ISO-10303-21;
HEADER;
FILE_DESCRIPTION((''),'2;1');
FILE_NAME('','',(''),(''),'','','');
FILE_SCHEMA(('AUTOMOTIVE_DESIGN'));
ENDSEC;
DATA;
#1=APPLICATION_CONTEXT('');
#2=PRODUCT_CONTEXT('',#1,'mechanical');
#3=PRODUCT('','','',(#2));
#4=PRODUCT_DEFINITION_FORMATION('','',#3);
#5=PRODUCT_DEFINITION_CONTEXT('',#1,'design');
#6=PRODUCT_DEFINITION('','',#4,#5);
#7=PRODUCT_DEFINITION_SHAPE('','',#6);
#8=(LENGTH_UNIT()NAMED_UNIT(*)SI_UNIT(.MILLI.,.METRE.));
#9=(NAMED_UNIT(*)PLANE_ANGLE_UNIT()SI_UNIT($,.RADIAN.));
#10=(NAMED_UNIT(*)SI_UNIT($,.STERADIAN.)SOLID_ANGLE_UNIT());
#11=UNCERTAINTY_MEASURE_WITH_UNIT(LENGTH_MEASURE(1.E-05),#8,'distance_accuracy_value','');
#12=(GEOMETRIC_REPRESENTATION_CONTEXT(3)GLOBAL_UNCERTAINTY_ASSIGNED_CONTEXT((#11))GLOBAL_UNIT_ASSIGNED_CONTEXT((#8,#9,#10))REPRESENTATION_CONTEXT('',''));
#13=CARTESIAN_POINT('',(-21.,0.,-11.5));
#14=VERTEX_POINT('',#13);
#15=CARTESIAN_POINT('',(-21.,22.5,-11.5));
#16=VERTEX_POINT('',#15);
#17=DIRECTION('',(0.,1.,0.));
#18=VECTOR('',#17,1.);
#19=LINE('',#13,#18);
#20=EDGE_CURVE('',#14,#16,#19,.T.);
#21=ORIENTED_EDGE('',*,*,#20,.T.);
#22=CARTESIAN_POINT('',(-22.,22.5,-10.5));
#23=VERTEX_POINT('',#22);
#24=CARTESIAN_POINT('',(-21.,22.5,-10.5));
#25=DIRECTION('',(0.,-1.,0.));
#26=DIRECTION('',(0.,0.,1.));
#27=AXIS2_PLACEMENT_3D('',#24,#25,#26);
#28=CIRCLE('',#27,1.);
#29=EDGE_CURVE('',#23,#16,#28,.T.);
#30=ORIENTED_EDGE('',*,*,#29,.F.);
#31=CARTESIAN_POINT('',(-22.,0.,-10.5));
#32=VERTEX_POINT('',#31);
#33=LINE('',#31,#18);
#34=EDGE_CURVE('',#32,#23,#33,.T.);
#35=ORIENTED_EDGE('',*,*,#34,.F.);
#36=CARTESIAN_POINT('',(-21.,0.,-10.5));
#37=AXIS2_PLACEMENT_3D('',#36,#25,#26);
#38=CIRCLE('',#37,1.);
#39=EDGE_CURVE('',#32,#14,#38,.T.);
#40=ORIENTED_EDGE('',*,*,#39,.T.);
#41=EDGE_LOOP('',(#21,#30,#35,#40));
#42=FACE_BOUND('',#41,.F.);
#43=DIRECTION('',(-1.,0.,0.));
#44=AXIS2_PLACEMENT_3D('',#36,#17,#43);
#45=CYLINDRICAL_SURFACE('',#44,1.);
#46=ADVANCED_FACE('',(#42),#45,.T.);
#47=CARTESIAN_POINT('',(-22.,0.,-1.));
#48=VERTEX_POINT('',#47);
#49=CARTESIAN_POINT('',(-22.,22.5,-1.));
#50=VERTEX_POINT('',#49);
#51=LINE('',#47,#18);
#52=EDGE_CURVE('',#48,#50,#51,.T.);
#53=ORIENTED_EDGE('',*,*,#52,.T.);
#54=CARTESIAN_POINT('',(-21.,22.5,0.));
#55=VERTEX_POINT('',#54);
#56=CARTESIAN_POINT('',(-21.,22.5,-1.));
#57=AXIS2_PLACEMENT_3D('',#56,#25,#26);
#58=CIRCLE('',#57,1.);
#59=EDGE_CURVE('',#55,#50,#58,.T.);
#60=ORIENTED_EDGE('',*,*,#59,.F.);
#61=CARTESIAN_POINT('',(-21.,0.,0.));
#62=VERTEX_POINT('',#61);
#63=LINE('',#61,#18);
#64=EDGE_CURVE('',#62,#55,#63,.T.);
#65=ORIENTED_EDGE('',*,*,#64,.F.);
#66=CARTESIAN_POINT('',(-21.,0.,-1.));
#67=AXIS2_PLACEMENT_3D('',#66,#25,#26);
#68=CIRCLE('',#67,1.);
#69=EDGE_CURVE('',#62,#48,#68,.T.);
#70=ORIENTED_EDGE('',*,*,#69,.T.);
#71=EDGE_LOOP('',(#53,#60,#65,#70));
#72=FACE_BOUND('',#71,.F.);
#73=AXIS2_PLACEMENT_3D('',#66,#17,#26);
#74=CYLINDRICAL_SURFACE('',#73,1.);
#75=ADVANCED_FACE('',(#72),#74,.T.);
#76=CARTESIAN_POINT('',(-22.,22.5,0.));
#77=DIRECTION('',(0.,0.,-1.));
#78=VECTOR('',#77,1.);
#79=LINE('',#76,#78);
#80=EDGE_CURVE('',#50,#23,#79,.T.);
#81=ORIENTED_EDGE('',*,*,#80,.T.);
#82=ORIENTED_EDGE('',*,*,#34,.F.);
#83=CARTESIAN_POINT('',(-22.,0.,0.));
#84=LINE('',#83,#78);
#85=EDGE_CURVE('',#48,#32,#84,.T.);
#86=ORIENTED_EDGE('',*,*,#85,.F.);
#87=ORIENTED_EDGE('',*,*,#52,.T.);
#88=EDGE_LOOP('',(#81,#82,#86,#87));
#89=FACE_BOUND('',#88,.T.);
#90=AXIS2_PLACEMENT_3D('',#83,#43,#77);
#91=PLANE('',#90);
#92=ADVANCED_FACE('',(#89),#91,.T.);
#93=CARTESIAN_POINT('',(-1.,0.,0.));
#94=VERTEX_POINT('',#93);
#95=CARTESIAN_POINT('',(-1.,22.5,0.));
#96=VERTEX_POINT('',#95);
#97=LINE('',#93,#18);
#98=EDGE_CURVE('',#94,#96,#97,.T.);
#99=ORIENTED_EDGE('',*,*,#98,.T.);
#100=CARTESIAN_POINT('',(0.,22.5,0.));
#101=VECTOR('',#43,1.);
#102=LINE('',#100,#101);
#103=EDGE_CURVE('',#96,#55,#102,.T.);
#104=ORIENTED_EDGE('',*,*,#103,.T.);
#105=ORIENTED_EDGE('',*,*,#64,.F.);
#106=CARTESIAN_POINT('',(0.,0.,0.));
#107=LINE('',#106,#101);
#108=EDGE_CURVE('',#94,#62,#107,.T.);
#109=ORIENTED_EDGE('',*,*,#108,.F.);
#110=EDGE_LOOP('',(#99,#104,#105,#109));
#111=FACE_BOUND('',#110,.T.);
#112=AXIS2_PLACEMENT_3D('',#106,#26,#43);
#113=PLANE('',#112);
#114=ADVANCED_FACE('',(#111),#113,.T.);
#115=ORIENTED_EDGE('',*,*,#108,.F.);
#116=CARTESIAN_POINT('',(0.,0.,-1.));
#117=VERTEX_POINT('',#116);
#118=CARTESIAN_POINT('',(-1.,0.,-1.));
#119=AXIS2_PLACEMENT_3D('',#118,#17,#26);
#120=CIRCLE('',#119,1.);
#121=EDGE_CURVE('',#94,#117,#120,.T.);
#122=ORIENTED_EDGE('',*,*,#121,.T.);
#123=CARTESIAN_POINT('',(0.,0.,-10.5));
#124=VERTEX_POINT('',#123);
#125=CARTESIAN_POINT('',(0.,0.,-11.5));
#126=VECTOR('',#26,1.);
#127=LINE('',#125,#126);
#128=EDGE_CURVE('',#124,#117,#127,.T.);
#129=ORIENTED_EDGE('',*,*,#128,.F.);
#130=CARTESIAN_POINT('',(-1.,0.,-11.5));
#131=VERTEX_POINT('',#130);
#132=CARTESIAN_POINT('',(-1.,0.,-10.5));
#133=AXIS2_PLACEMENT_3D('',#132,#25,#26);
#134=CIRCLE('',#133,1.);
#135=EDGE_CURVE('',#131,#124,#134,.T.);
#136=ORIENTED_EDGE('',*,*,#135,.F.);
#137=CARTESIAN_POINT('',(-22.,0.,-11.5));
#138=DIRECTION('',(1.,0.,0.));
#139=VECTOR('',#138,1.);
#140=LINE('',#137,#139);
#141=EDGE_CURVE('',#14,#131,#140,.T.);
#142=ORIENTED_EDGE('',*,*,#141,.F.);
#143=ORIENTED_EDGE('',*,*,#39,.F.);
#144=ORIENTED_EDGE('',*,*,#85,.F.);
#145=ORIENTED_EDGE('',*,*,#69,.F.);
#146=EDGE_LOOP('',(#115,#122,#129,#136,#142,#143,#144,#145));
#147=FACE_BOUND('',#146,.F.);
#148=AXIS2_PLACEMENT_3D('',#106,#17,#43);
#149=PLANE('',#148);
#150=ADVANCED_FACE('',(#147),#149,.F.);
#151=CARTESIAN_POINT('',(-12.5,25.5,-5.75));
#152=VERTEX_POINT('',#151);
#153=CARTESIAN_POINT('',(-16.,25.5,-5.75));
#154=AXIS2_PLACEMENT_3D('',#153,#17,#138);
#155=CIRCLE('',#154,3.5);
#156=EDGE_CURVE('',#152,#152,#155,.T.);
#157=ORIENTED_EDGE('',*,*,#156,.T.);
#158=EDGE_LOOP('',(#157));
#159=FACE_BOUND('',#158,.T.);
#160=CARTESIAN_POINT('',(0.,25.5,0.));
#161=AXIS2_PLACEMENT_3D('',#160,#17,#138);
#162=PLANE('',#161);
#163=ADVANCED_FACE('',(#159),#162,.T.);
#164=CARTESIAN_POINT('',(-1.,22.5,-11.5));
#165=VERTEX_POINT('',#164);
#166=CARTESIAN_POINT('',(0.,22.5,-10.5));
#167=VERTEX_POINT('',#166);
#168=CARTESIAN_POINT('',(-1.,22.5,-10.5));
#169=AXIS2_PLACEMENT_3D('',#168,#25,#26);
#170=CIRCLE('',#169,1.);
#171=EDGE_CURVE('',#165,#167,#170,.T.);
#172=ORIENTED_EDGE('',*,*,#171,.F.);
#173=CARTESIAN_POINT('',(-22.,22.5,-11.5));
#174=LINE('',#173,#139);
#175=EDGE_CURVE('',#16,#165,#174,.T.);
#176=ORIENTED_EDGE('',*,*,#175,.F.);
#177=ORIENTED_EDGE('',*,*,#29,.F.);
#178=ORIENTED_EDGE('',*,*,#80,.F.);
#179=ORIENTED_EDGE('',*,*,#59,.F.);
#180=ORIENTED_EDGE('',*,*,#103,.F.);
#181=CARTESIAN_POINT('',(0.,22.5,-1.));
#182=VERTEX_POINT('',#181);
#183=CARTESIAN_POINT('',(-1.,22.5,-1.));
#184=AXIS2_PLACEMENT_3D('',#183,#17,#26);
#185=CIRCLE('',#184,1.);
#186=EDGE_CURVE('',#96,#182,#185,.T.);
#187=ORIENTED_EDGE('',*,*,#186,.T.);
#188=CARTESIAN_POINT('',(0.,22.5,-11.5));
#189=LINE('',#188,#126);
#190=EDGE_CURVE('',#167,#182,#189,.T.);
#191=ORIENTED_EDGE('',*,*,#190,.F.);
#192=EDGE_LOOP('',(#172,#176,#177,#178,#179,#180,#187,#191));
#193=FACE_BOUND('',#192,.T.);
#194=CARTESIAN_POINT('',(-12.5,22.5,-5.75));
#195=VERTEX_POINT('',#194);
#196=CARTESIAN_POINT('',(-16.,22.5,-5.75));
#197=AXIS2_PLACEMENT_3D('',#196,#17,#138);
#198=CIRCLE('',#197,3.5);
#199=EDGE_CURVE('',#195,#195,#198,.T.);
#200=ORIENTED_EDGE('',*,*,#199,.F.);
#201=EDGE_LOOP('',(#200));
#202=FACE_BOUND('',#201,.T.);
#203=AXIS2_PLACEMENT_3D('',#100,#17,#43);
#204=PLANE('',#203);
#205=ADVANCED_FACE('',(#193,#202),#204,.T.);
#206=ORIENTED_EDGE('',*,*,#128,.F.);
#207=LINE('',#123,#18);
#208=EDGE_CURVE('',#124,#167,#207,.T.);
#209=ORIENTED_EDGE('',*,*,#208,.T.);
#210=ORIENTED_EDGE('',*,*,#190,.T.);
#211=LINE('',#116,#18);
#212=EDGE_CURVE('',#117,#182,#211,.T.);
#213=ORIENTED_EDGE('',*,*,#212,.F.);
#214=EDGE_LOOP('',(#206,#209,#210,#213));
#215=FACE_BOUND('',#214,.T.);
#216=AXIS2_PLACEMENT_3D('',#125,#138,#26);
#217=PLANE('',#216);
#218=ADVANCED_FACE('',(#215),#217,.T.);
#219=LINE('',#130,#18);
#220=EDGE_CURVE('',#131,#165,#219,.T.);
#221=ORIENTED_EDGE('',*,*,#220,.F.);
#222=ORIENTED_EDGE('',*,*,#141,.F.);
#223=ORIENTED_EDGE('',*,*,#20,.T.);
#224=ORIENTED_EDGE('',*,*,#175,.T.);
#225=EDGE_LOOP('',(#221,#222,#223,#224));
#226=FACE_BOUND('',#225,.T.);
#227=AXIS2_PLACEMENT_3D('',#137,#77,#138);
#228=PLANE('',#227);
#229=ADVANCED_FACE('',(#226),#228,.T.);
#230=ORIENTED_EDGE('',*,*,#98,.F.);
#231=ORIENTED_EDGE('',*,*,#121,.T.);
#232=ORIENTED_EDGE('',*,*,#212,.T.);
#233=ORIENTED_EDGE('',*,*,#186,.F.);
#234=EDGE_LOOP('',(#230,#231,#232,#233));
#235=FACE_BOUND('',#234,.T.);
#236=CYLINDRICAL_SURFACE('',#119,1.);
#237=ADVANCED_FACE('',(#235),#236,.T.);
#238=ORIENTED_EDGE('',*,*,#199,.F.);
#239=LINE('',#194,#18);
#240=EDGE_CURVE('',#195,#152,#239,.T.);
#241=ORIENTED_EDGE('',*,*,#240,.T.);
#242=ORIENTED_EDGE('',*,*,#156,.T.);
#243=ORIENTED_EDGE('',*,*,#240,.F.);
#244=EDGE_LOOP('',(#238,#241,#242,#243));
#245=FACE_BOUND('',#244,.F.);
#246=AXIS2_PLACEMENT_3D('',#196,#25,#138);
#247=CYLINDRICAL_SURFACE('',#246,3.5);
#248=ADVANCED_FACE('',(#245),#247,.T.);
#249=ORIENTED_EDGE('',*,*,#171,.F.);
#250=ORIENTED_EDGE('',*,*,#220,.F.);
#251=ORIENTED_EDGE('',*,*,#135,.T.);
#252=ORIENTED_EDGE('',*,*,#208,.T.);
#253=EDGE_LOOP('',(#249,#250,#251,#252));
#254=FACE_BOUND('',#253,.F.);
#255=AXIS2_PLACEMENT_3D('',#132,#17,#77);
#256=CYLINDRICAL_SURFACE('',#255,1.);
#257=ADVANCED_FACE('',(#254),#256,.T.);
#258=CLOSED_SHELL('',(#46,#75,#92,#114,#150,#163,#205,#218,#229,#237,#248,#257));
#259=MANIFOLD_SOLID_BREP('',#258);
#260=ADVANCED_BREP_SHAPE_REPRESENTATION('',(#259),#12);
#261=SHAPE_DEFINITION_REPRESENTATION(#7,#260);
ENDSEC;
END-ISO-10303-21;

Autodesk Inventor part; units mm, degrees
ref_plane "YZ Plane" through (0, 0, 0) normal (1, 0, 0) x (0, 1, 0)
ref_plane "XZ Plane" through (0, 0, 0) normal (0, 1, 0) x (-1, 0, 0)
ref_plane "XY Plane" through (0, 0, 0) normal (0, 0, 1) x (1, 0, 0)
sketch "Sketch1" plane through (0, 0, 0) normal (0, 1, 0) x (-1, 0, 0)
  line L0 (0, 0) -> (22, 0)
  line L1 (22, 0) -> (22, -11.5)
  line L2 (22, -11.5) -> (0, -11.5)
  line L3 (0, -11.5) -> (0, 0)
  dimension "d0" = 22
  dimension "d1" = 11.5
extrude "Extrusion1" add sketch "Sketch1" along normal blind 22.5
fillet "Fillet1" radius 1 4 edges at (-22, 11.25, -11.5) (-22, 11.25, 0) (0, 11.25, 0) (0, 11.25, -11.5)
sketch "Sketch2" plane through (-22, 0, -10.5) normal (-1, 0, 0) x (0, 0, 1)
  point P0 (10.5, 0)
sketch "Sketch3" plane through (0, 22.5, 0) normal (0, 1, 0) x (1, 0, 0)
  circle A0 centre (-16, 5.75) radius 3.5
  line L0 (0, 1) -> (0, 10.5) projected
  line L1 (-21, 0) -> (-1, 0) projected
  point P0 (0, 0)
  dimension "d5" = 7
  dimension "d6" = 16
  dimension "d7" = 5.75
extrude "Extrusion2" add sketch "Sketch3" along normal blind 3
properties part number "SG-90-servo-motor"
